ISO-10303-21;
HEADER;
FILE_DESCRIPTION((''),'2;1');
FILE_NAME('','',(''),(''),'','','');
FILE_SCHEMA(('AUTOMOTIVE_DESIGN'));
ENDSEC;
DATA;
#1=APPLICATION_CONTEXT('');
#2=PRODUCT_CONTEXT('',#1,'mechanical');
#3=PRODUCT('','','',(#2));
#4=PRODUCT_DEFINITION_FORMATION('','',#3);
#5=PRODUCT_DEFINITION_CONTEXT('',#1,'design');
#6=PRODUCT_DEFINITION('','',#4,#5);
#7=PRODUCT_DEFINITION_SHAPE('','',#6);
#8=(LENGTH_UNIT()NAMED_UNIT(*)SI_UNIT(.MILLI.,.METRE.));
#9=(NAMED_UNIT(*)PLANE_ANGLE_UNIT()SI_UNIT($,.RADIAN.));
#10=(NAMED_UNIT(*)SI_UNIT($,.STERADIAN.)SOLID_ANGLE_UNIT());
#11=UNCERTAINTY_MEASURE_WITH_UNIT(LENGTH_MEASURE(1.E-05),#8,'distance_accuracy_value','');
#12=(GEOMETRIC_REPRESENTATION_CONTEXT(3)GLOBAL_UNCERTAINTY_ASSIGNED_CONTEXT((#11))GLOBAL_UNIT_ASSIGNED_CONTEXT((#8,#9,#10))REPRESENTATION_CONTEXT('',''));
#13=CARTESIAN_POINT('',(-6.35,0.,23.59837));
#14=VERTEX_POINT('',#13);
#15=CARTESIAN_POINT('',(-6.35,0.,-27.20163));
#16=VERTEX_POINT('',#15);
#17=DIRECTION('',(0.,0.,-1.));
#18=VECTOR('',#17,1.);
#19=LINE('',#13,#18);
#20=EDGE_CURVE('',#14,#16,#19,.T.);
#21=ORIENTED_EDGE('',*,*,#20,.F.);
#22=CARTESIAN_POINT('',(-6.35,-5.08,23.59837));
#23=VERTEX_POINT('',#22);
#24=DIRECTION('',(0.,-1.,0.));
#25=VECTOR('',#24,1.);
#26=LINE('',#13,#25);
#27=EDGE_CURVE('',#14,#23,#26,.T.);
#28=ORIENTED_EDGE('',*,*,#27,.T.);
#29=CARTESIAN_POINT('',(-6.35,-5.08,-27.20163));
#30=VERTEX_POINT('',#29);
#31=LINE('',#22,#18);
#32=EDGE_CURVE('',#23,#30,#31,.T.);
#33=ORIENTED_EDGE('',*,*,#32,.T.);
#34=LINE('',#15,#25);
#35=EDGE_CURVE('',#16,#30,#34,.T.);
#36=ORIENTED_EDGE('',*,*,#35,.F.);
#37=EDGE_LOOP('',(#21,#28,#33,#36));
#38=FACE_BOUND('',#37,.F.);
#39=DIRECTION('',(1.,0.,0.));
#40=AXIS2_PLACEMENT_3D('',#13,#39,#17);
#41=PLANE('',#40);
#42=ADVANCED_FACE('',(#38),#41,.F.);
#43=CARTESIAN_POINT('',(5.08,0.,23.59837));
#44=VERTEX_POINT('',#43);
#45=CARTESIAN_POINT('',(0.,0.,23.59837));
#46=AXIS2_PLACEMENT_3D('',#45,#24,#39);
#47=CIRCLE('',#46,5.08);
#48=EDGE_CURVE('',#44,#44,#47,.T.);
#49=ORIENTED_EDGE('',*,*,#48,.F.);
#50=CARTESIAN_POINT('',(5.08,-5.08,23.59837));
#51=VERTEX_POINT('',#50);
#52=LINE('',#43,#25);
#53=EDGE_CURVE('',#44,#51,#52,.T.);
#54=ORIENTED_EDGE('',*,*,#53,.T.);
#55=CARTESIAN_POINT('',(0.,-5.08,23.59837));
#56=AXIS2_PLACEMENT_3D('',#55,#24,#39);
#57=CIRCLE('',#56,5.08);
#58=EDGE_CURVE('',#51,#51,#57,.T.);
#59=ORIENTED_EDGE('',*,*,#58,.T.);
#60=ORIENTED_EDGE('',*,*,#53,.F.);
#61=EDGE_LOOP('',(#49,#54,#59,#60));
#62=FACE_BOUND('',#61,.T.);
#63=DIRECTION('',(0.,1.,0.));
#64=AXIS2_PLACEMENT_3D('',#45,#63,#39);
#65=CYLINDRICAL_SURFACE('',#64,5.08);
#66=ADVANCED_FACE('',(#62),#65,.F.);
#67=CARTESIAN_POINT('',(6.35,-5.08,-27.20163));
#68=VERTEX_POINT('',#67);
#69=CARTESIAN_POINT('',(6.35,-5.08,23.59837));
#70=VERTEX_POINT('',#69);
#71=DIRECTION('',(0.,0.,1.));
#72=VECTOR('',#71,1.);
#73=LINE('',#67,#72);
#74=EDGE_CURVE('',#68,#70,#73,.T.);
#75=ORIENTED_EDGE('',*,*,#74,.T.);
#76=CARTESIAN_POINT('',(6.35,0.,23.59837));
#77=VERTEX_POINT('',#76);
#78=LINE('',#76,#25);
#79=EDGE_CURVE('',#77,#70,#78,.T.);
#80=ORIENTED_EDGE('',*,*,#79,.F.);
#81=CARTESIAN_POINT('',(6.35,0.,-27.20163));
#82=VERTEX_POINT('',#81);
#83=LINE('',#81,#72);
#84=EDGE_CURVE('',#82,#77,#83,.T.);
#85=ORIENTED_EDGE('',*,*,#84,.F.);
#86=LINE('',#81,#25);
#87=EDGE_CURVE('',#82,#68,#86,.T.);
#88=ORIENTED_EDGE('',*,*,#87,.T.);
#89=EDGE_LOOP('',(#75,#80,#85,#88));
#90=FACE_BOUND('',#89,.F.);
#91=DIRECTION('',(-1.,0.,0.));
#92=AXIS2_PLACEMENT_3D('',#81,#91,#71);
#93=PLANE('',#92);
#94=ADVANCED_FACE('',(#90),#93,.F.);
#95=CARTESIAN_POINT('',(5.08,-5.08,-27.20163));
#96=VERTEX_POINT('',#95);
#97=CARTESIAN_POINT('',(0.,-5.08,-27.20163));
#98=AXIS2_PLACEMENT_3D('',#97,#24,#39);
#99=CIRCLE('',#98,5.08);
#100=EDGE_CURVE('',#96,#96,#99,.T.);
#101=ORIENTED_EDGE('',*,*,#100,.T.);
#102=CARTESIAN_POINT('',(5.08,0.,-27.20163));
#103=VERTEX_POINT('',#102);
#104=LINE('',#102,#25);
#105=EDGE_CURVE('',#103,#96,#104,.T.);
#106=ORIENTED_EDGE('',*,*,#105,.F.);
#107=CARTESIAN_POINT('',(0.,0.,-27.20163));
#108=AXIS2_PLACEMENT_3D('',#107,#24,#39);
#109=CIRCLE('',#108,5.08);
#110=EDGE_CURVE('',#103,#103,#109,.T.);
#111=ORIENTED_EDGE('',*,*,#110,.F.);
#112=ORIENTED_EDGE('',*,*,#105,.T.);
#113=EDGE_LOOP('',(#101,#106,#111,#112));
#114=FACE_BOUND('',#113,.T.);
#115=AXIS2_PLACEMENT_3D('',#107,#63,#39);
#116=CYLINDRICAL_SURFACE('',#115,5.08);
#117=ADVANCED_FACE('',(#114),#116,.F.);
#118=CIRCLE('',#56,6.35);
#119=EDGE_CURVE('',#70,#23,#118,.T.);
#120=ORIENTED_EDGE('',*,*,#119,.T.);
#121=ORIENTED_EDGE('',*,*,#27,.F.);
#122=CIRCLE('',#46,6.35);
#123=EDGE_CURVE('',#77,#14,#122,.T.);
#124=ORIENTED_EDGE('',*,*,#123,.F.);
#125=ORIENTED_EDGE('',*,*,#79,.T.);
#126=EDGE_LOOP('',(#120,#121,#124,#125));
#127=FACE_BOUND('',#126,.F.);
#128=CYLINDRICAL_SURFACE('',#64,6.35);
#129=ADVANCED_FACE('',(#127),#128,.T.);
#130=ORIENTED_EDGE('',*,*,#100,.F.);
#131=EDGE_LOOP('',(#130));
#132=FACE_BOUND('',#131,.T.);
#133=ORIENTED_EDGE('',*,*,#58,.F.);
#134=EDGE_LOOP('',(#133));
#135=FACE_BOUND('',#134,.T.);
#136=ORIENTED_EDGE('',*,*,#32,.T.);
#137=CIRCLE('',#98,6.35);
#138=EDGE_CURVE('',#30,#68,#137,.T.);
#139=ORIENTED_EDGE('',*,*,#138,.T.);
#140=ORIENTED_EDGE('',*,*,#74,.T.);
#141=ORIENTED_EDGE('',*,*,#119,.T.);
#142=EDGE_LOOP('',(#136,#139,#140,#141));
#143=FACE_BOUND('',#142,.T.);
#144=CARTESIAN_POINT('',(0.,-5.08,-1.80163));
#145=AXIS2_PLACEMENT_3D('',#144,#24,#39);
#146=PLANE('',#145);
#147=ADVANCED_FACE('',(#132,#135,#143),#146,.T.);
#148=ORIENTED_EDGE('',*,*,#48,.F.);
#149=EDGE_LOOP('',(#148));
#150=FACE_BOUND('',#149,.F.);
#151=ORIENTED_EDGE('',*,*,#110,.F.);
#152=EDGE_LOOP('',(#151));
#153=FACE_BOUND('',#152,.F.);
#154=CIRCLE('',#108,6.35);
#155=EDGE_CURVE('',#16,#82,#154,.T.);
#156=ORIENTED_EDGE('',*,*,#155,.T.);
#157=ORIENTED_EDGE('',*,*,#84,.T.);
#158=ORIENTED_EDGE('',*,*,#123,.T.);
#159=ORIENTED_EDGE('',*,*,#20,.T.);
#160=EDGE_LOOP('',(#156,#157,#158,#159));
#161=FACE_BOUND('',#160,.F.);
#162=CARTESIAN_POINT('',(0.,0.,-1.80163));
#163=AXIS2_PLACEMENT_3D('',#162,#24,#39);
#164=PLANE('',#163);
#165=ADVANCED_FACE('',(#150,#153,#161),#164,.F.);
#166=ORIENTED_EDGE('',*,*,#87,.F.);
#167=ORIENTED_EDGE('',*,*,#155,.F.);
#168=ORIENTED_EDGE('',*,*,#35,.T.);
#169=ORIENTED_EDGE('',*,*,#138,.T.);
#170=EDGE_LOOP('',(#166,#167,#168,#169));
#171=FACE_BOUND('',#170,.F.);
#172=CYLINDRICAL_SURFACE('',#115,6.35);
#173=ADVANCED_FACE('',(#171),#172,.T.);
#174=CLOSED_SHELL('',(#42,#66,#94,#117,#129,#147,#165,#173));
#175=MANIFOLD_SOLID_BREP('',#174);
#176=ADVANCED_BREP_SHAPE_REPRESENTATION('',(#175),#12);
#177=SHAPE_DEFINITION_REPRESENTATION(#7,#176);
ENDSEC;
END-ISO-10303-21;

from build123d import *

# Parameters (mm, degrees)
F0_R     = 5.08
F1_DEPTH = 5.08


with BuildPart() as f1:
    # F0 (on Front) → F1 (new body)
    with BuildSketch(Plane.XZ):
        with BuildLine():
            Line((6.35, -27.20163), (6.35, 23.59837))
            ThreePointArc((6.35, 23.59837), (0, 17.24837), (-6.35, 23.59837))
            Line((-6.35, 23.59837), (-6.35, -27.20163))
            ThreePointArc((-6.35, -27.20163), (0, -20.85163), (6.35, -27.20163))
        make_face()
        with BuildLine():
            ThreePointArc((-6.35, 23.59837), (0, 17.24837), (6.35, 23.59837))
            ThreePointArc((6.35, 23.59837), (0, 29.94837), (-6.35, 23.59837))
        make_face()
        with Locations((0, 23.59837)):
            Circle(F0_R, mode=Mode.SUBTRACT)
        with BuildLine():
            ThreePointArc((-6.35, -27.20163), (0, -33.55163), (6.35, -27.20163))
            ThreePointArc((6.35, -27.20163), (0, -20.85163), (-6.35, -27.20163))
        make_face()
        with Locations((0, -27.20163)):
            Circle(F0_R, mode=Mode.SUBTRACT)
    extrude(amount=F1_DEPTH)


solid = f1.part
